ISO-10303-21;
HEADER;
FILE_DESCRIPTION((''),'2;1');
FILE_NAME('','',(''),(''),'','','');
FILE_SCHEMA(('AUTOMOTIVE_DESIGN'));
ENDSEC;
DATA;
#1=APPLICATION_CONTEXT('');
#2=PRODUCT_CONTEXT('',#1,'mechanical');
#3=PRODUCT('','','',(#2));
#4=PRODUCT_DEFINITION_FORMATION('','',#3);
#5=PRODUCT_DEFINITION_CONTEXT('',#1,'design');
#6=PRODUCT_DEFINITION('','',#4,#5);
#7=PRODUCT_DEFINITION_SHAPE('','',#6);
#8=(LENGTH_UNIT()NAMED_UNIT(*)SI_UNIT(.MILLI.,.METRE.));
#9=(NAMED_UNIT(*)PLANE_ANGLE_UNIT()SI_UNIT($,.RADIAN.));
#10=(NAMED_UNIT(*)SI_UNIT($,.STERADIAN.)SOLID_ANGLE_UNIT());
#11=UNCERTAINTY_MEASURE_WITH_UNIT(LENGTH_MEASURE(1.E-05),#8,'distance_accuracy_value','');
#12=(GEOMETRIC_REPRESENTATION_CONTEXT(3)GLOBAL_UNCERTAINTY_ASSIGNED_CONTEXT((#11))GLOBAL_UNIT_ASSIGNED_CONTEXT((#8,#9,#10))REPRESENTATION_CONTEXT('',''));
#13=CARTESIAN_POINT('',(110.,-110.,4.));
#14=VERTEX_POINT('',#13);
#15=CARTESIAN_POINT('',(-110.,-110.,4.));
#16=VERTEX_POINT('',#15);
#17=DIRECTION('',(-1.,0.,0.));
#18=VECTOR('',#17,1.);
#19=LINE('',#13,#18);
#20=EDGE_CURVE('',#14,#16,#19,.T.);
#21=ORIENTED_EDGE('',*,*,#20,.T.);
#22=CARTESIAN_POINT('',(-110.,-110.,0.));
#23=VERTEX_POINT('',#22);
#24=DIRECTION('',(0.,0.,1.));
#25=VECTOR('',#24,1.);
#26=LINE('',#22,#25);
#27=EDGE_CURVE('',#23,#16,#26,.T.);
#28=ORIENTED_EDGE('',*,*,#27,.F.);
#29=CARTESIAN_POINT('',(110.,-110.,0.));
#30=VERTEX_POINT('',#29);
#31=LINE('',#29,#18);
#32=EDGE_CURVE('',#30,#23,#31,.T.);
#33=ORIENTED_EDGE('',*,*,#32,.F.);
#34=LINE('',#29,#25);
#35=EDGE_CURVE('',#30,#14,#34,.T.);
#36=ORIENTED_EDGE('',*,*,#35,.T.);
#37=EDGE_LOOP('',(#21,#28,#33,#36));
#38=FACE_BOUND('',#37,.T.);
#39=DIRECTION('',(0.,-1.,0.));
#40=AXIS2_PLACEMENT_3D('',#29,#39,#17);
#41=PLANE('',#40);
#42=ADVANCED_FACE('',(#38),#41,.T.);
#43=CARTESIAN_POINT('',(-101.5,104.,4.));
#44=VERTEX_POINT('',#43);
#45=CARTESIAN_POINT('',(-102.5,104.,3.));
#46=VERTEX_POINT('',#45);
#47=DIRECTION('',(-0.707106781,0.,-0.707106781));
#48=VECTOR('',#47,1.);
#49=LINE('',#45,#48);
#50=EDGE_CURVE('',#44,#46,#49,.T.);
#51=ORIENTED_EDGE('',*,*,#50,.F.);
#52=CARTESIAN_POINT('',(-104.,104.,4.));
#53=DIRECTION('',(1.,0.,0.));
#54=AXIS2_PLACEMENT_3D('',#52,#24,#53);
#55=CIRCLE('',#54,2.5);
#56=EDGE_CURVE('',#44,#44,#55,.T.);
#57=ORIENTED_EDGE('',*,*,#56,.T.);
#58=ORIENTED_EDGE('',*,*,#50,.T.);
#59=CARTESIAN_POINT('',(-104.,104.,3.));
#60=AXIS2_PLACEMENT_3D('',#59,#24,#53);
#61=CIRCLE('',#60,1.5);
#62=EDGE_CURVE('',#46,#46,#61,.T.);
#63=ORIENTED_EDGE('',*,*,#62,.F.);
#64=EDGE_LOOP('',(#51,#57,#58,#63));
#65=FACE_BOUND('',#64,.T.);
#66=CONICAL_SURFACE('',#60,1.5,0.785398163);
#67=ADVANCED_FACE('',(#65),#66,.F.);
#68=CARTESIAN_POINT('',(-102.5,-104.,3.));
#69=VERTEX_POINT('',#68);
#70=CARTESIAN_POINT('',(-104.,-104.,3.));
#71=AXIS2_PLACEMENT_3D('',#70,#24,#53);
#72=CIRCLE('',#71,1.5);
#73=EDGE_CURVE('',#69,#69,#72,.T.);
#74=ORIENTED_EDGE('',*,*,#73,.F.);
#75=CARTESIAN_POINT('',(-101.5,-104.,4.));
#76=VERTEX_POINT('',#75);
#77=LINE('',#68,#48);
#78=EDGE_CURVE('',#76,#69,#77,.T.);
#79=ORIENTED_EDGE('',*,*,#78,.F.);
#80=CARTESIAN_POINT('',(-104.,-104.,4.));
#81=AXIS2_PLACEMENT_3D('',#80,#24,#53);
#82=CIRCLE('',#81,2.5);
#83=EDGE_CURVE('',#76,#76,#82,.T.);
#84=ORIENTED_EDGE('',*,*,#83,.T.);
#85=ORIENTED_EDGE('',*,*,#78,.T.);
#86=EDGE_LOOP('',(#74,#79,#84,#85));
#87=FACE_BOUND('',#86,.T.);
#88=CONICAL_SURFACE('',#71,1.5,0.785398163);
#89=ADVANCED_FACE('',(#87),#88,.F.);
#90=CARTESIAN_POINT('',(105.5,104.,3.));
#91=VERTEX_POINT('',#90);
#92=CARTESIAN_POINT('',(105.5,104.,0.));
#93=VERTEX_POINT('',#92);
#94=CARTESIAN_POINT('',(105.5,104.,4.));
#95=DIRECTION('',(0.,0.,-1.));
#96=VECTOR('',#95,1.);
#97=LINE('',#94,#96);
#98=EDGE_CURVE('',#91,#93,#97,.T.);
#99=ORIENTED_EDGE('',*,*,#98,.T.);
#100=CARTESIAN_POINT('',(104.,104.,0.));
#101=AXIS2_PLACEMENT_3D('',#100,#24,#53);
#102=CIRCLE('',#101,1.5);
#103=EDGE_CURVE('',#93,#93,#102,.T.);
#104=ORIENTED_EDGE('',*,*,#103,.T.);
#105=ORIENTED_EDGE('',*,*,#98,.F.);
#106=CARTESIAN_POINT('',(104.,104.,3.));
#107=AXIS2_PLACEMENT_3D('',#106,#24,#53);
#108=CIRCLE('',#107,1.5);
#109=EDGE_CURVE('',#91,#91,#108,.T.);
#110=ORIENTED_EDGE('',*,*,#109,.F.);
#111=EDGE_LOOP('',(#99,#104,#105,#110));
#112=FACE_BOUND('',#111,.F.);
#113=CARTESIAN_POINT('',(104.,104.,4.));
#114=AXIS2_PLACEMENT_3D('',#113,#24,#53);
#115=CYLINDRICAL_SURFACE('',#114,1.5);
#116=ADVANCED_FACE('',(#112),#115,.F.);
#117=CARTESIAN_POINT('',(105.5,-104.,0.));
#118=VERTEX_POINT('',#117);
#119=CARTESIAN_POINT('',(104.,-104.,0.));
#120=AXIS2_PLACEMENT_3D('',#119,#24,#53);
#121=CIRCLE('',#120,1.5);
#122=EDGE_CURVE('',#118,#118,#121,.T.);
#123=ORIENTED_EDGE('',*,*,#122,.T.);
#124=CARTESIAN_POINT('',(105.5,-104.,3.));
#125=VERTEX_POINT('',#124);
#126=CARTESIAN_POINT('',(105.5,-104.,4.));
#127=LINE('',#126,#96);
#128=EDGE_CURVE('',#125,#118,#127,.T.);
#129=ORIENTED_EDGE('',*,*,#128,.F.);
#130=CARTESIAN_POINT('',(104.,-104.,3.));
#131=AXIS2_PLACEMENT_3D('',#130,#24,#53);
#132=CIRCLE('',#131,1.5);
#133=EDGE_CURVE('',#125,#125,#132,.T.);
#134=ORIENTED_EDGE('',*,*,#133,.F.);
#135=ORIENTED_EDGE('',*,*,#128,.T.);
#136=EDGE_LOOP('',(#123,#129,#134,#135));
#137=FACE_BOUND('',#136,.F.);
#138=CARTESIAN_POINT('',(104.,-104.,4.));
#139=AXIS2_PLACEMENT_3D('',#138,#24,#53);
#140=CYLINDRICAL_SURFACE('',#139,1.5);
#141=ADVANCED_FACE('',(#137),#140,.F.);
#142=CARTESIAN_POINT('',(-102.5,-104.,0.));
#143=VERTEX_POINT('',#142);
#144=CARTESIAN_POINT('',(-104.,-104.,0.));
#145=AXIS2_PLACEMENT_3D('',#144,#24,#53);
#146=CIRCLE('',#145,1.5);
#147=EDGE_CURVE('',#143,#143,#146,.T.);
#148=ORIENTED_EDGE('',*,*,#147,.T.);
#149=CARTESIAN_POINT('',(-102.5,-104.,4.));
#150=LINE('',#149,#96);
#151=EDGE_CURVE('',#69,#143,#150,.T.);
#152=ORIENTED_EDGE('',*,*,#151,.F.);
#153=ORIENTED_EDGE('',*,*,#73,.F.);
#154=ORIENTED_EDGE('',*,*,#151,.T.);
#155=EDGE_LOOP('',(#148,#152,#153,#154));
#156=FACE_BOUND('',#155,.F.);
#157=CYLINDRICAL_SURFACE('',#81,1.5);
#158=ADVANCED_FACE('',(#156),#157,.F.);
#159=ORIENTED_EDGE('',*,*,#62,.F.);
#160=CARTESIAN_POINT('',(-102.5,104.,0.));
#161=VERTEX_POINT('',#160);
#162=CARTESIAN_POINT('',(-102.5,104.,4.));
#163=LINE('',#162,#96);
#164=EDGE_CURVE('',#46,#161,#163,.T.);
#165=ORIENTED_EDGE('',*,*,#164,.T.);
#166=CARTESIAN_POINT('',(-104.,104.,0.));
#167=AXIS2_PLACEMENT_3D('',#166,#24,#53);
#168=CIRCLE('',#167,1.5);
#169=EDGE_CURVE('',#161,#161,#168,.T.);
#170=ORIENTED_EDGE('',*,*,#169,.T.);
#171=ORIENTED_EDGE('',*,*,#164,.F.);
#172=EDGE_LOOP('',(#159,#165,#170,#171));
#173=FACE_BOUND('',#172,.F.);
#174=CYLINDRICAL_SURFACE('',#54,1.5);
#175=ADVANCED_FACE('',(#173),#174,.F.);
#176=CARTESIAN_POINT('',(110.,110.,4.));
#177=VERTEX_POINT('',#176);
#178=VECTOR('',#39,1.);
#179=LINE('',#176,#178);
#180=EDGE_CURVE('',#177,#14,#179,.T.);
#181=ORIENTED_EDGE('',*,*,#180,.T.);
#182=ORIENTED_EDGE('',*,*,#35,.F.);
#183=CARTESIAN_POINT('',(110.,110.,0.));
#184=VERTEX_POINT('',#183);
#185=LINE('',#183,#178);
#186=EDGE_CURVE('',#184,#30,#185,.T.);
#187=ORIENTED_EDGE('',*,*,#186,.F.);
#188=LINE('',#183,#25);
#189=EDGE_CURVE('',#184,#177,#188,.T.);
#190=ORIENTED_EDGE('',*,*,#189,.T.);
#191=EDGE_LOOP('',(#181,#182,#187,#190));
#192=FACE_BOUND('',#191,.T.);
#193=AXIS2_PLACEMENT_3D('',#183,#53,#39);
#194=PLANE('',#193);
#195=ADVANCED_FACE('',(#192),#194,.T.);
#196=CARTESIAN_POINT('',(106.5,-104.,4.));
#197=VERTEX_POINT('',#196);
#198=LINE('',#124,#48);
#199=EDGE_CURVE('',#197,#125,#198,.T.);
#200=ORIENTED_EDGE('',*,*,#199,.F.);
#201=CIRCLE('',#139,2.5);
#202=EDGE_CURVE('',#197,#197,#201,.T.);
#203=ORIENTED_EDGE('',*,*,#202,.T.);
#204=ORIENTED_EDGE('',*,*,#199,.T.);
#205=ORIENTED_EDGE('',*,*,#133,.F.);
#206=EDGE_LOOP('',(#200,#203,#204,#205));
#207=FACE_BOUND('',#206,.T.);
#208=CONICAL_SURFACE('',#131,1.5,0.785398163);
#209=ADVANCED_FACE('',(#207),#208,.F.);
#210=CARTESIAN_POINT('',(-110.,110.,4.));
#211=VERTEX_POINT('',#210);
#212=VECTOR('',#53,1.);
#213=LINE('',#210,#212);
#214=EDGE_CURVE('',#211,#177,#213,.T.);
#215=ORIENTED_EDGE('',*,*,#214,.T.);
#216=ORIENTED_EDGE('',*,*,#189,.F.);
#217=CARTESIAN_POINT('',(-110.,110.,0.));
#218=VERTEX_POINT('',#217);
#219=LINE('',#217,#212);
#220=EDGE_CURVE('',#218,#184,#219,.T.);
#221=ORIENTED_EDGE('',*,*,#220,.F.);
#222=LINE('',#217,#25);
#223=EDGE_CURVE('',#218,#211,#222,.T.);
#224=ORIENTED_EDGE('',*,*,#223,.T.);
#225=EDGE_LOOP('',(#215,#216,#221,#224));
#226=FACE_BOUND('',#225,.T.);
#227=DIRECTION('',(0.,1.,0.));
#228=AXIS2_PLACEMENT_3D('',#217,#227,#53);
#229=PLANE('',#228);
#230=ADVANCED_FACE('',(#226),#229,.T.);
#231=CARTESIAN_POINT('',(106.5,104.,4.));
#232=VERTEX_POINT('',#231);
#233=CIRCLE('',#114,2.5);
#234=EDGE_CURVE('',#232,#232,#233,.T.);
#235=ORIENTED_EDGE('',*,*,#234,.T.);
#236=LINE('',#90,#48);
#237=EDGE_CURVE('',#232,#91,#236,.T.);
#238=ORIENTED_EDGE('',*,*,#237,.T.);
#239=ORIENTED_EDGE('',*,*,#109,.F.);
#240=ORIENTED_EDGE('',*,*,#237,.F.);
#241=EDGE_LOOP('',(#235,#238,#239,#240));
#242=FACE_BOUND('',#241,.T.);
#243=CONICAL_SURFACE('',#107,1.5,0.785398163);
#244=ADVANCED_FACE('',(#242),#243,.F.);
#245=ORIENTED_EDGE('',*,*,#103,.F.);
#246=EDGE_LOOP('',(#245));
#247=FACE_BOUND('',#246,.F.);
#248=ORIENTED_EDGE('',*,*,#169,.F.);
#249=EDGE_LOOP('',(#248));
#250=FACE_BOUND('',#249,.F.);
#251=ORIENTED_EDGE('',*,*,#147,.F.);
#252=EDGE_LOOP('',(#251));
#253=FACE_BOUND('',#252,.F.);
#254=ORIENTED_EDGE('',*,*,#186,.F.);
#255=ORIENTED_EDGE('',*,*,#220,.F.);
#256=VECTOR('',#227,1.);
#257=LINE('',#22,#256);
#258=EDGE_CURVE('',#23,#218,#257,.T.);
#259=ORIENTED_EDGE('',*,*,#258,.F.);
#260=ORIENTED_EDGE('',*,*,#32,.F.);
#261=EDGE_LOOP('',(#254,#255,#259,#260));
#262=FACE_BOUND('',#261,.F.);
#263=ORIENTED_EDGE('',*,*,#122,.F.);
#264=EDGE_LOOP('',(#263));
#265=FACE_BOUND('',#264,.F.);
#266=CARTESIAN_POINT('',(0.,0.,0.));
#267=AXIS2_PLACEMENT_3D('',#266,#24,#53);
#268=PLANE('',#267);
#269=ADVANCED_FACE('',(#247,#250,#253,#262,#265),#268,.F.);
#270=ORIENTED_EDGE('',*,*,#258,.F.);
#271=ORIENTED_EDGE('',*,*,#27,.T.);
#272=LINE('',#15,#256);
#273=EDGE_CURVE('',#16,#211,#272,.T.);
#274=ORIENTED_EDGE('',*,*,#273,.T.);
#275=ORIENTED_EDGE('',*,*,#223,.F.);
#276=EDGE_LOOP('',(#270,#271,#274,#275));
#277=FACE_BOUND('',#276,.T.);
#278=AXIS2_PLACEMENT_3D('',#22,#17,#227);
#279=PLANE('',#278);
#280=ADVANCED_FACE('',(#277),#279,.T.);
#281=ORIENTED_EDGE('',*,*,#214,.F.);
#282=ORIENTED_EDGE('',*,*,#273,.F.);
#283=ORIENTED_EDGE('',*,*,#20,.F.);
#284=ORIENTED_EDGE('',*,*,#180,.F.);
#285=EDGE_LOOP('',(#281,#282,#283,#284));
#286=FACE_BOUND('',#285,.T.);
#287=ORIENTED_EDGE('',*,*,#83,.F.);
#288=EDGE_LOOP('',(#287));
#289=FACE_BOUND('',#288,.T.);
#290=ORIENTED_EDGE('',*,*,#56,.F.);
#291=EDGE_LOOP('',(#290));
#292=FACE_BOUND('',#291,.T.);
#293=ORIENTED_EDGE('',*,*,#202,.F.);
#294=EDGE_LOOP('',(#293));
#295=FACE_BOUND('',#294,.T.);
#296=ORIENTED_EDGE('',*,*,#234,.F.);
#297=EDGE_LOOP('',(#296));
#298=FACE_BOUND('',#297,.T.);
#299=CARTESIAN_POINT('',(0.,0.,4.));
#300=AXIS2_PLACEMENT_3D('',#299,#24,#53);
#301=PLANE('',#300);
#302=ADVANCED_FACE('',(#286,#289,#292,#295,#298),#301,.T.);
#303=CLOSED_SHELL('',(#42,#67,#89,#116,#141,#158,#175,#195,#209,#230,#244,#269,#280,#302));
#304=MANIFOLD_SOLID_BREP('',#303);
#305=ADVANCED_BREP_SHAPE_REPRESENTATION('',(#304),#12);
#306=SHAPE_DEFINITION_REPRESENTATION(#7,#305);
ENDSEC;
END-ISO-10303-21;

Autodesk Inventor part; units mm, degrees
ref_plane "YZ Plane" through (0, 0, 0) normal (1, 0, 0) x (0, 1, 0)
ref_plane "XZ Plane" through (0, 0, 0) normal (0, 1, 0) x (-1, 0, 0)
ref_plane "XY Plane" through (0, 0, 0) normal (0, 0, 1) x (1, 0, 0)
sketch "Sketch1" plane through (0, 0, 0) normal (0, 0, 1) x (1, 0, 0)
  line L0 (-110, 110) -> (110, 110)
  line L1 (110, 110) -> (110, -110)
  line L2 (110, -110) -> (-110, -110)
  line L3 (-110, -110) -> (-110, 110)
  point P0 (0, 0)
  point P1 (110, 0)
  point P2 (0, -110)
  dimension "d0" = 220
  dimension "d1" = 220
extrude "Extrusion1" add sketch "Sketch1" along normal blind 4
sketch "Sketch2" plane through (0, 0, 4) normal (0, 0, 1) x (1, 0, 0)
  line L0 (110, 110) -> (-110, 110) projected
  line L1 (-110, 110) -> (-110, -110) projected
  line L2 (-110, -110) -> (110, -110) projected
  line L3 (110, -110) -> (110, 110) projected
  circle A0 centre (-104, 104) radius 1.5
  circle A1 centre (-104, -104) radius 1.5
  circle A2 centre (104, -104) radius 1.5
  circle A3 centre (104, 104) radius 1.5
  point P0 (0, 0)
  dimension "d4" = 6
  dimension "d5" = 6
  dimension "d6" = 3
  dimension "d9" = 360
extrude "Extrusion2" cut sketch "Sketch2" against normal up to next contours A0 | A1 | A2 | A3
chamfer "Chamfer1" distance 1 angle 45 4 edges at (102.5, 104, 4) (102.5, -104, 4) (-105.5, -104, 4) (-105.5, 104, 4)
properties part number "heated-bed"
